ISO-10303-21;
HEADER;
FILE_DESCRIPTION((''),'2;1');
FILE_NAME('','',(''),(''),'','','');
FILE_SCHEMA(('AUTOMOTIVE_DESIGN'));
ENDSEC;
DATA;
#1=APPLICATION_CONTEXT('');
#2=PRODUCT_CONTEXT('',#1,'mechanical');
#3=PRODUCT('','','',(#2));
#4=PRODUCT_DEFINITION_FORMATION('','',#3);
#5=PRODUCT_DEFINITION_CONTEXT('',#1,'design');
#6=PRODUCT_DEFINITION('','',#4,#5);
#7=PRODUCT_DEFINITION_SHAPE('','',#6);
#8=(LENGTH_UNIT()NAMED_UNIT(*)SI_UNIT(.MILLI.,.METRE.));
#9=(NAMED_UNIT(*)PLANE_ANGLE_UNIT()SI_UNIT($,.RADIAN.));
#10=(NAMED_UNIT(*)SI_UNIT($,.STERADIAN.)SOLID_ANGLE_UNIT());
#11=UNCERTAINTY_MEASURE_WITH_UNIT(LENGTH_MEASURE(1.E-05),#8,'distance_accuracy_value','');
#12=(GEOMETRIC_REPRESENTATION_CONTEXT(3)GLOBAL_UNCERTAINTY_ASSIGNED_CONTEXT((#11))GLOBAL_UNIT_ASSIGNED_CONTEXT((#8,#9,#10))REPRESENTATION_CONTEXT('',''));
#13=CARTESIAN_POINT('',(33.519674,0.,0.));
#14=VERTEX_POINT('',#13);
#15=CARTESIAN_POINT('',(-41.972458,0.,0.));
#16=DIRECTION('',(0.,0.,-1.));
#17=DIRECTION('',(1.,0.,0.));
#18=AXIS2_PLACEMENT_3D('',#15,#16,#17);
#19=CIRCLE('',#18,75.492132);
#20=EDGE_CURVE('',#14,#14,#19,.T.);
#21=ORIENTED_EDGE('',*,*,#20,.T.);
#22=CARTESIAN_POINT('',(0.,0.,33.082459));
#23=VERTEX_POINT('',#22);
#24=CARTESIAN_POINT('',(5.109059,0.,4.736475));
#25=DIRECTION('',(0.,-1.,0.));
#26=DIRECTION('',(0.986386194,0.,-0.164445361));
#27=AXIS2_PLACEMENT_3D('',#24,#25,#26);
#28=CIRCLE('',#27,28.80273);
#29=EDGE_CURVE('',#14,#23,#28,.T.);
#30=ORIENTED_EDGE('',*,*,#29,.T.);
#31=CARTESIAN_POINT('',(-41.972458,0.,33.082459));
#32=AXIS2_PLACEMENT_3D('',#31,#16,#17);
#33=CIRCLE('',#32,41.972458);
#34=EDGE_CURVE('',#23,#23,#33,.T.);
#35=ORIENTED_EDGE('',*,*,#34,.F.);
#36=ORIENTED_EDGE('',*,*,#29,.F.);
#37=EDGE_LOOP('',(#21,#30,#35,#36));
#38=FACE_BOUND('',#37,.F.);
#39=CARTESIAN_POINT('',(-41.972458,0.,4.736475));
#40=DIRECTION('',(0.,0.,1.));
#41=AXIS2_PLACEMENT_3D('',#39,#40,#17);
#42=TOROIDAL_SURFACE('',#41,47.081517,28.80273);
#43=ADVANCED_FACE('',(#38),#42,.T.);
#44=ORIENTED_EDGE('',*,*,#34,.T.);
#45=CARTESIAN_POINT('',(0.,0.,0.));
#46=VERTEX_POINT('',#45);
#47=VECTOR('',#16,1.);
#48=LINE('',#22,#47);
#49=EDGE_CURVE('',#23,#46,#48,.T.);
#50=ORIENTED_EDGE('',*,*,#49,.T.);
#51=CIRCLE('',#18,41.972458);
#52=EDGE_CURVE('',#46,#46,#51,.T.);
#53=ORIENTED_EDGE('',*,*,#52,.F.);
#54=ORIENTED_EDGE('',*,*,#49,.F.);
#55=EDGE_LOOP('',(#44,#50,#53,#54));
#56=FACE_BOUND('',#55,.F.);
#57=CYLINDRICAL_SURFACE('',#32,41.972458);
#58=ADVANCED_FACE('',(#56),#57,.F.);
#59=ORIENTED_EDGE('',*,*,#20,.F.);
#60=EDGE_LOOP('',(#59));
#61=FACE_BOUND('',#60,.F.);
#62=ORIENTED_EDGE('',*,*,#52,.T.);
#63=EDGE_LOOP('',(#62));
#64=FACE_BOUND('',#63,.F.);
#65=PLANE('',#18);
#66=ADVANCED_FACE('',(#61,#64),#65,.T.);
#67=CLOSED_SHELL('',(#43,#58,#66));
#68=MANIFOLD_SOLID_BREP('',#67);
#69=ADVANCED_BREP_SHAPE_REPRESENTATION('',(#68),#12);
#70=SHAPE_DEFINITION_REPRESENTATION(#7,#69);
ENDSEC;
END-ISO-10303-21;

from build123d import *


with BuildPart() as f1:
    # F0 (on Front) → F1 (revolve)
    with BuildSketch(Plane.XZ):
        with BuildLine():
            ThreePointArc((33.519674, 0), (25.34153, 25.236338), (0, 33.082459))
            Line((0, 33.082459), (0, 0))
            Line((0, 0), (33.519674, 0))
        make_face()
    revolve(axis=Axis((-41.972458, 0, -2.47754), (0, 0, -1)))


solid = f1.part
